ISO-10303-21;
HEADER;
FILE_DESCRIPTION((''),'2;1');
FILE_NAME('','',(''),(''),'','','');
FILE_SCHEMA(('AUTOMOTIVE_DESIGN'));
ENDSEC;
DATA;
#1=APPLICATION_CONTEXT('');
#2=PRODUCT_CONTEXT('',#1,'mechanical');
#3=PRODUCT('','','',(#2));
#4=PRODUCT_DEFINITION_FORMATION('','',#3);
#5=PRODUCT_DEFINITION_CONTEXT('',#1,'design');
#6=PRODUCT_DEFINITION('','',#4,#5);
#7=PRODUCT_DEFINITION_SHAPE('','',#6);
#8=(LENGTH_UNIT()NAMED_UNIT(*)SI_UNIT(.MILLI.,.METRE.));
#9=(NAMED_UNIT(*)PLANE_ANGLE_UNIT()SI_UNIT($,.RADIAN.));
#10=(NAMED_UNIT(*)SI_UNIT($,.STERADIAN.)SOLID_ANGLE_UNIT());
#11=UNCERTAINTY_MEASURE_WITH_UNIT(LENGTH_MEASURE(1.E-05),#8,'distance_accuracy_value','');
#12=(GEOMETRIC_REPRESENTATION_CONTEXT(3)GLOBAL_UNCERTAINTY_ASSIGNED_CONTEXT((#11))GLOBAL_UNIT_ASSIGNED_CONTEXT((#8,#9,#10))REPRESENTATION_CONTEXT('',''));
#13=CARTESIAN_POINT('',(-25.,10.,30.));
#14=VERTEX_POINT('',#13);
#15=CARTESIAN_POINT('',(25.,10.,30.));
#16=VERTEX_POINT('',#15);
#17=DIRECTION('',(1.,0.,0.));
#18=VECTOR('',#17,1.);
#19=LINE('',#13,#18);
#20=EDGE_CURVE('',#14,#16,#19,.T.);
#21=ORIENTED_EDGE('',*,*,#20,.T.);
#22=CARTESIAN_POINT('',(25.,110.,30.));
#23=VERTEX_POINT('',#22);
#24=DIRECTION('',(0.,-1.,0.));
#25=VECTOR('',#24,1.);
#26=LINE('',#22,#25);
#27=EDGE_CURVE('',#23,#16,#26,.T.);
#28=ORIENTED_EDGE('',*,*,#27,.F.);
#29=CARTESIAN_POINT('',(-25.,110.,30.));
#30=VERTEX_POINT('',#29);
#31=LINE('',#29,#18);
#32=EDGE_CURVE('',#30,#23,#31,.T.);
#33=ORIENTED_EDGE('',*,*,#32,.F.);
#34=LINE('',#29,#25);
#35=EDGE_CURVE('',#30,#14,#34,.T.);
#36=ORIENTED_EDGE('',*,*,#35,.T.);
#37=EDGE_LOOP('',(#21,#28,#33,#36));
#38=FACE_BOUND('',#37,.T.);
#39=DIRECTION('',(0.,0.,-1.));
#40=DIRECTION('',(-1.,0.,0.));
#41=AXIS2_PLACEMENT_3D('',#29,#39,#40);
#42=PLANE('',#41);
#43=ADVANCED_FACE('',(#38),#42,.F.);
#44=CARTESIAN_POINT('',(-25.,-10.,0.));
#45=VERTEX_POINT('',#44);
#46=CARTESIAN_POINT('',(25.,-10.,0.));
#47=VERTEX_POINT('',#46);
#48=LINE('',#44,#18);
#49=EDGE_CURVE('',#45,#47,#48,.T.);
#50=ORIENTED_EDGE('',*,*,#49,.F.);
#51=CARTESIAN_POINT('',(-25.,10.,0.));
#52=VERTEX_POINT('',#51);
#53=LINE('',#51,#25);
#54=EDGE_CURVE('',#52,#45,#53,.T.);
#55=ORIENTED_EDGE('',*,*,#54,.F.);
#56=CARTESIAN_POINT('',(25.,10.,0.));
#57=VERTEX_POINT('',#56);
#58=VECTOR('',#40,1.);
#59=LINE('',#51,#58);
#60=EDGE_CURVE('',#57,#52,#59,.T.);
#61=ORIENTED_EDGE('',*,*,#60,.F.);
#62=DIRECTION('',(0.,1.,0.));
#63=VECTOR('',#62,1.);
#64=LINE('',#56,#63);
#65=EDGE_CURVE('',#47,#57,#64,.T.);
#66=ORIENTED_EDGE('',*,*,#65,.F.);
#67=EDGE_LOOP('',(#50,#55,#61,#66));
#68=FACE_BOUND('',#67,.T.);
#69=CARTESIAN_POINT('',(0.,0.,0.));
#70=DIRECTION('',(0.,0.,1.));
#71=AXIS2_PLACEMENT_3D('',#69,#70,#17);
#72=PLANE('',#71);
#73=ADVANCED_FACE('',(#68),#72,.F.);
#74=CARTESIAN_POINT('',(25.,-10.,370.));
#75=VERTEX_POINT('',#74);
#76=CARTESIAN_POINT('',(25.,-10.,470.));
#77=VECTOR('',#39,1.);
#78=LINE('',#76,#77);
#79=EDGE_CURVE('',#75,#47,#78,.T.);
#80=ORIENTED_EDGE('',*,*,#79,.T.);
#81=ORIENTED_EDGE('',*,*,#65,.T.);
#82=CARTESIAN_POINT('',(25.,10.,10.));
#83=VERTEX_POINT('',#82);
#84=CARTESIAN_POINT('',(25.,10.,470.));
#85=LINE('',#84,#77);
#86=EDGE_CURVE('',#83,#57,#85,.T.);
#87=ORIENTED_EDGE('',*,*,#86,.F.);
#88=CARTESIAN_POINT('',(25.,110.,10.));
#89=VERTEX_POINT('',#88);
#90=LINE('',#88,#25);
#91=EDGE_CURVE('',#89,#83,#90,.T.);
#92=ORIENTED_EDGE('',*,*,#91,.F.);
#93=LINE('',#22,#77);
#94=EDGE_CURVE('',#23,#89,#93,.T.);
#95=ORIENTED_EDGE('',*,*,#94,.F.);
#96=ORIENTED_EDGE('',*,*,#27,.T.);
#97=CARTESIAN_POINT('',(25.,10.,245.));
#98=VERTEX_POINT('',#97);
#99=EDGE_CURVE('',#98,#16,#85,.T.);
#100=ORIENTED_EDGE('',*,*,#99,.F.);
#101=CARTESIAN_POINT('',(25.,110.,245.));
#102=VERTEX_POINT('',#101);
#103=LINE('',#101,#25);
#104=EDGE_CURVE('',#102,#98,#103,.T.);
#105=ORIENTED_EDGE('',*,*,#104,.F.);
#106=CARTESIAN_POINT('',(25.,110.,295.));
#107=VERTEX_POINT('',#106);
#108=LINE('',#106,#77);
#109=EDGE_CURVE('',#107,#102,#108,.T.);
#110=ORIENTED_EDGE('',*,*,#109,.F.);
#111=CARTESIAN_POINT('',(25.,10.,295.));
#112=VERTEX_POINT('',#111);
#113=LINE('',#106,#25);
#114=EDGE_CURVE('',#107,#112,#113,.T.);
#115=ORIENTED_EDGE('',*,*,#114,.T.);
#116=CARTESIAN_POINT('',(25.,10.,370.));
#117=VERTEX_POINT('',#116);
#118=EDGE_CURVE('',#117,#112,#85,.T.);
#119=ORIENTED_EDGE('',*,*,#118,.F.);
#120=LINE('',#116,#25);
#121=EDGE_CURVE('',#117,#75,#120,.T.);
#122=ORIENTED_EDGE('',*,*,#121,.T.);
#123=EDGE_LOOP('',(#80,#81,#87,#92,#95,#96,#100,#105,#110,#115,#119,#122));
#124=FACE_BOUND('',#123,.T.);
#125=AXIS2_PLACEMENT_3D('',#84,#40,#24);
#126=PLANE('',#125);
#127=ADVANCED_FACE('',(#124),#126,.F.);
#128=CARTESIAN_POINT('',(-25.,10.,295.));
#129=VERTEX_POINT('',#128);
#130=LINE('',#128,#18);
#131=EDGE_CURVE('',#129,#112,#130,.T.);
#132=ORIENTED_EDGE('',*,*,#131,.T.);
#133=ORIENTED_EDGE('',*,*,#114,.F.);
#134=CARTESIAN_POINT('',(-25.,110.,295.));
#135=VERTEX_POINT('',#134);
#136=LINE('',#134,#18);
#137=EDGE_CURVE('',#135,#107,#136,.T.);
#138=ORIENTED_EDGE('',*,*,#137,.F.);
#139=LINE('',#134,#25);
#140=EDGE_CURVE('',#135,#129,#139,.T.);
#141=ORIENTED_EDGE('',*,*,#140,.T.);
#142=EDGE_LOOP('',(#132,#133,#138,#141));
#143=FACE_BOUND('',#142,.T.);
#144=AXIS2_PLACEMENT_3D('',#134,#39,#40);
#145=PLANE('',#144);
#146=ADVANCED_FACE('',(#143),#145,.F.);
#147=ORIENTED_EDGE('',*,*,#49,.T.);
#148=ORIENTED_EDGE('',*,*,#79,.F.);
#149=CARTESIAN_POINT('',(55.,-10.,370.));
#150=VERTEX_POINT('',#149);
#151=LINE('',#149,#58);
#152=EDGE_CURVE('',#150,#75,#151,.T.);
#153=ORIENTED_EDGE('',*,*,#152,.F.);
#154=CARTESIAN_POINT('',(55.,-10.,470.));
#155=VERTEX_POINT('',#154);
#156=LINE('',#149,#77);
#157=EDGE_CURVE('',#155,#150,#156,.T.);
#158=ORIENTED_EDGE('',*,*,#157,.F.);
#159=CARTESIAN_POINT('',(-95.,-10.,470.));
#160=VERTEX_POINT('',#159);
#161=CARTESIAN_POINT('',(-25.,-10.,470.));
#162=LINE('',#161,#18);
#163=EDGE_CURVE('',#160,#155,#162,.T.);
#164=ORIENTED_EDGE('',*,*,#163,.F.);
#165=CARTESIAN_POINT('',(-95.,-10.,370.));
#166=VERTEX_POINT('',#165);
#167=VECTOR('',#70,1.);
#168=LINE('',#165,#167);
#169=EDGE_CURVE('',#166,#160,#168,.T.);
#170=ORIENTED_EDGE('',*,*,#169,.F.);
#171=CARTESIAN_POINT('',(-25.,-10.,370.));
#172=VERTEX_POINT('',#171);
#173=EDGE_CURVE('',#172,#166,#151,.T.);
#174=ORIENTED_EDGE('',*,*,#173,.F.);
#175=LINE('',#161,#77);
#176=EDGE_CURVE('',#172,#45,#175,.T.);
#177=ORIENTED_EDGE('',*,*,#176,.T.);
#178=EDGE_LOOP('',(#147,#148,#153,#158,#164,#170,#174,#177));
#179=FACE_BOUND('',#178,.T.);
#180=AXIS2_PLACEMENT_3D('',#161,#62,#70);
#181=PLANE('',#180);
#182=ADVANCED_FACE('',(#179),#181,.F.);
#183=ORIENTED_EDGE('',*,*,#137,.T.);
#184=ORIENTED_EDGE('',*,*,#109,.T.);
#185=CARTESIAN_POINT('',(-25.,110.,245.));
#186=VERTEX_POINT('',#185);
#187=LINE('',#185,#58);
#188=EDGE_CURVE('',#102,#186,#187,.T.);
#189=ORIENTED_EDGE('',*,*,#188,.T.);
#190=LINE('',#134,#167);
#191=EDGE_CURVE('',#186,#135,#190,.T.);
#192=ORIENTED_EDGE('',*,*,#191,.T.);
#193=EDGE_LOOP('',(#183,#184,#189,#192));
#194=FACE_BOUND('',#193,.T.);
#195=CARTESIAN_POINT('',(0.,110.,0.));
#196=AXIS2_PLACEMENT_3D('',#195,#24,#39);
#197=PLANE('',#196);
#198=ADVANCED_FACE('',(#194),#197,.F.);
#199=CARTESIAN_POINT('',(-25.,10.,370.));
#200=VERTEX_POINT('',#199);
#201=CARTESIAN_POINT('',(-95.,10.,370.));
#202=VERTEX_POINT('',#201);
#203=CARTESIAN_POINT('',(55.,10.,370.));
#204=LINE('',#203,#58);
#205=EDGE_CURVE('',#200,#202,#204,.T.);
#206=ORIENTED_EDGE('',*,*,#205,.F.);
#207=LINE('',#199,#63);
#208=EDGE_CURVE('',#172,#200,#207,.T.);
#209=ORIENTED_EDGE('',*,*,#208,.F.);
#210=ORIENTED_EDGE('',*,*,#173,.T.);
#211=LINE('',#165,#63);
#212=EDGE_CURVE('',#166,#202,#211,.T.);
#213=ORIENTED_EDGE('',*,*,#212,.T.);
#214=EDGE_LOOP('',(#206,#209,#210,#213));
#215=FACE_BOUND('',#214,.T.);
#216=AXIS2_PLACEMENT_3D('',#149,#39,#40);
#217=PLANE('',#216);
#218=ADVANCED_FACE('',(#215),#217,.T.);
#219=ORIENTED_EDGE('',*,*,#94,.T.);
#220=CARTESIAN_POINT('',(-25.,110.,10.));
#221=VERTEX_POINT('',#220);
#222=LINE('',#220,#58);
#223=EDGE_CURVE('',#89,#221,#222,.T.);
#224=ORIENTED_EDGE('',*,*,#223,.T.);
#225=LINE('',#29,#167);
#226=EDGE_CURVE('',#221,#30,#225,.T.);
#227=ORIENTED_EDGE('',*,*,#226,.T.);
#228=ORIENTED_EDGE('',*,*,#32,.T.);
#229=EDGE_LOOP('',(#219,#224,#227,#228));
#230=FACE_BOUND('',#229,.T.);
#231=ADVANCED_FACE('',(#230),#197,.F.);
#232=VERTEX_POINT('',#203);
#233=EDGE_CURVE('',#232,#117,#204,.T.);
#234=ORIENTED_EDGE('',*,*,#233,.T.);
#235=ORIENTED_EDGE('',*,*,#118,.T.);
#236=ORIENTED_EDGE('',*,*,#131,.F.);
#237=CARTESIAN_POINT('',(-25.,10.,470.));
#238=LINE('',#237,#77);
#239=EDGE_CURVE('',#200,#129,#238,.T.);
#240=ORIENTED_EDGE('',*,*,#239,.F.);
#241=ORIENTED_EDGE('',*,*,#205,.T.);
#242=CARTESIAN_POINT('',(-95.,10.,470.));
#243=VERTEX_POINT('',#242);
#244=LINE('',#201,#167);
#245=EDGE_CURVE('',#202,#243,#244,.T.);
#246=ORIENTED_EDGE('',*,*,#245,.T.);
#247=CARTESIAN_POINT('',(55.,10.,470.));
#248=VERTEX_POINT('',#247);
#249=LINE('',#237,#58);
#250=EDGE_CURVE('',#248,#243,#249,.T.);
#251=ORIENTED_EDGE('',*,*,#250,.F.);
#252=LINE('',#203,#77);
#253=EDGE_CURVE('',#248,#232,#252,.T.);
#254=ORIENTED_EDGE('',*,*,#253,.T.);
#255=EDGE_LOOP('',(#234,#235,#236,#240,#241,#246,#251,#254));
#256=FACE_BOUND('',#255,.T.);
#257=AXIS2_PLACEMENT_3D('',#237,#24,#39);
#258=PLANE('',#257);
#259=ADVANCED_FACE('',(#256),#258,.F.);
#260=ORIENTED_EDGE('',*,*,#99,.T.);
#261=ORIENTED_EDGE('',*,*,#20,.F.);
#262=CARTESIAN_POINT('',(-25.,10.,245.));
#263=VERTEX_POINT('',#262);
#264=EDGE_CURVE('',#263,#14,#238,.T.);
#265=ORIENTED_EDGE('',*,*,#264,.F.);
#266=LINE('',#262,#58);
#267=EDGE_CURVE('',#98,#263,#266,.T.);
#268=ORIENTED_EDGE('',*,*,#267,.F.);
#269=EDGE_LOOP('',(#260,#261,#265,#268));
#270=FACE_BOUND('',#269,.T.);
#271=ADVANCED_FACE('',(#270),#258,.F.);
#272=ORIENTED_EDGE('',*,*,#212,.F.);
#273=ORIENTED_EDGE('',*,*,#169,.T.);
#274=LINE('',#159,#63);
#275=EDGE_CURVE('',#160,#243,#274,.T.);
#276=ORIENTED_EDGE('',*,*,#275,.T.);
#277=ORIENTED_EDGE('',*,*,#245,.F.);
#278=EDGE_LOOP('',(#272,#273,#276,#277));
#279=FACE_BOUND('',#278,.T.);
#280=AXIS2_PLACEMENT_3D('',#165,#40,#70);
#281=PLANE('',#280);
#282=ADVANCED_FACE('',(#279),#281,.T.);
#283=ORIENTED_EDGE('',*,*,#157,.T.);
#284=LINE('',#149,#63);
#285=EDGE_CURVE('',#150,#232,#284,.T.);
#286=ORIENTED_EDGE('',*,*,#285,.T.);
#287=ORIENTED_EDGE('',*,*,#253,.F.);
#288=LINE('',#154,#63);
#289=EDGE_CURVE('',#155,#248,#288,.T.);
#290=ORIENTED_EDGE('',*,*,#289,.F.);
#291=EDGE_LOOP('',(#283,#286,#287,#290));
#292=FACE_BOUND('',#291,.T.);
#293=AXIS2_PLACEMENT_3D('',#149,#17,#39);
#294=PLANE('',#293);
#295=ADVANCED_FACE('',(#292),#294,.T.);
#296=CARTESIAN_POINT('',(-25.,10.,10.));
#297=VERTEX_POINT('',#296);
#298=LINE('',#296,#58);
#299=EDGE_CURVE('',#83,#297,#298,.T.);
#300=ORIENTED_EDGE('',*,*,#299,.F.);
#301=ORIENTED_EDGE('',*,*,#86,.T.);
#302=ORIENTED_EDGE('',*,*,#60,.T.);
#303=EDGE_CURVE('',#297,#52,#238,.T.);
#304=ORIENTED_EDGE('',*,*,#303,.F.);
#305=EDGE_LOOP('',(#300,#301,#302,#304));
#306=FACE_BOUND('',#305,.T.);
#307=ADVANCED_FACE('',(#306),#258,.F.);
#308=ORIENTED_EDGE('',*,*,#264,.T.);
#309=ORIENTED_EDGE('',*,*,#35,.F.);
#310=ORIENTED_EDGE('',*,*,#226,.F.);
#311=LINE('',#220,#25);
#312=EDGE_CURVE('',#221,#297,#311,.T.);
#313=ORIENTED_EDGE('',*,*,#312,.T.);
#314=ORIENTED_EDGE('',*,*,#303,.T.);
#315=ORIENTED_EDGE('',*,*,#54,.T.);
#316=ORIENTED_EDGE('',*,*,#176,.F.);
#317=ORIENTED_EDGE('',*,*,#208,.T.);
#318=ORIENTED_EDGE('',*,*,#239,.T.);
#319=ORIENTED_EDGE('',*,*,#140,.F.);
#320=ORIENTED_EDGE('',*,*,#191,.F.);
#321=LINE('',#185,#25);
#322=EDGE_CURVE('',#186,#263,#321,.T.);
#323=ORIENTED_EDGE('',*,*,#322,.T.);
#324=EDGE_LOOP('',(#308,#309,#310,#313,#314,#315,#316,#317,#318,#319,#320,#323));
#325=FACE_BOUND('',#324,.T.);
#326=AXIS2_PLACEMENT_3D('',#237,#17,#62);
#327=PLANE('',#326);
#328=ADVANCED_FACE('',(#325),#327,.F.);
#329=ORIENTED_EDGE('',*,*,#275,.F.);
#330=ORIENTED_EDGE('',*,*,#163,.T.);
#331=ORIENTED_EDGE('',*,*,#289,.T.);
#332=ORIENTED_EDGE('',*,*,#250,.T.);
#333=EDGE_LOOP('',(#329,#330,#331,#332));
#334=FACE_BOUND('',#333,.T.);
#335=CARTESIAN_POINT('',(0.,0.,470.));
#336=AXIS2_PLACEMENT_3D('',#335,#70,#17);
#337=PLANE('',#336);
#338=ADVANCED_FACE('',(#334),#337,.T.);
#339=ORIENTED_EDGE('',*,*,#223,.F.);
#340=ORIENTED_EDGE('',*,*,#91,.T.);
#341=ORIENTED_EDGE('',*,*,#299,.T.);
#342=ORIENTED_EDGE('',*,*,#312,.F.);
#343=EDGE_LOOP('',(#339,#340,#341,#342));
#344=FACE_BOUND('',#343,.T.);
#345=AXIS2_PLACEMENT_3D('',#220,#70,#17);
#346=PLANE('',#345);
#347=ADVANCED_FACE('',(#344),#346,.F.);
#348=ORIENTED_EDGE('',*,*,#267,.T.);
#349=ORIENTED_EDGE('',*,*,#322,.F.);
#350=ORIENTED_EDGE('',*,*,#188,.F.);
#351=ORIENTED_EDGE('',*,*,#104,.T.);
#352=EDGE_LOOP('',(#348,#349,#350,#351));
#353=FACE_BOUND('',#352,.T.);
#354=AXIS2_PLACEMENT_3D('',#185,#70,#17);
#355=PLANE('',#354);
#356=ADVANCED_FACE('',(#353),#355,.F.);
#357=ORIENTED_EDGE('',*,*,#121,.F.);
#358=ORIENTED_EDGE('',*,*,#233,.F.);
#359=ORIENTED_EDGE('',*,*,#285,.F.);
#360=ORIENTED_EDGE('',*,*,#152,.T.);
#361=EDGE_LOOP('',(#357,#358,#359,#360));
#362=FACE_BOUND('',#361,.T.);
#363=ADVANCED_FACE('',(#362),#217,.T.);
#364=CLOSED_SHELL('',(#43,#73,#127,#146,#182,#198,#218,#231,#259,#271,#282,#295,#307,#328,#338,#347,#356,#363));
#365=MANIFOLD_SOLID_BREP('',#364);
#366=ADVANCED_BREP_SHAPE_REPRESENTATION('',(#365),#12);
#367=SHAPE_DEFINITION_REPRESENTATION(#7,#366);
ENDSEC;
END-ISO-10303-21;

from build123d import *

# Parameters (mm, degrees)
SKETCH1_W           = 50
SKETCH1_H           = 20
BOSS_EXTRUDE1_DEPTH = 470
SKETCH2_W           = 150
SKETCH2_H           = 100
BOSS_EXTRUDE2_DEPTH = 20
SKETCH3_W           = 50
SKETCH3_H           = 20
SKETCH3_H_2         = 50
BOSS_EXTRUDE3_DEPTH = 100


with BuildPart() as part:
    # Sketch1 → Boss-Extrude1 (new body)
    with BuildSketch(Plane.XY):
        Rectangle(SKETCH1_W, SKETCH1_H)
    extrude(amount=BOSS_EXTRUDE1_DEPTH)

    # Sketch2 → Boss-Extrude2 (add)
    with BuildSketch(Plane(origin=(0, 10, 0), x_dir=(1, 0, 0), z_dir=(0, 1, 0))):
        with Locations((-20, -420)):
            Rectangle(SKETCH2_W, SKETCH2_H)
    extrude(amount=-BOSS_EXTRUDE2_DEPTH)

    # Sketch3 → Boss-Extrude3 (add)
    with BuildSketch(Plane(origin=(0, 10, 0), x_dir=(1, 0, 0), z_dir=(0, 1, 0))):
        with Locations((0, -20)):
            Rectangle(SKETCH3_W, SKETCH3_H)
        with Locations((0, -270)):
            Rectangle(SKETCH3_W, SKETCH3_H_2)
    extrude(amount=BOSS_EXTRUDE3_DEPTH)


solid = part.part
